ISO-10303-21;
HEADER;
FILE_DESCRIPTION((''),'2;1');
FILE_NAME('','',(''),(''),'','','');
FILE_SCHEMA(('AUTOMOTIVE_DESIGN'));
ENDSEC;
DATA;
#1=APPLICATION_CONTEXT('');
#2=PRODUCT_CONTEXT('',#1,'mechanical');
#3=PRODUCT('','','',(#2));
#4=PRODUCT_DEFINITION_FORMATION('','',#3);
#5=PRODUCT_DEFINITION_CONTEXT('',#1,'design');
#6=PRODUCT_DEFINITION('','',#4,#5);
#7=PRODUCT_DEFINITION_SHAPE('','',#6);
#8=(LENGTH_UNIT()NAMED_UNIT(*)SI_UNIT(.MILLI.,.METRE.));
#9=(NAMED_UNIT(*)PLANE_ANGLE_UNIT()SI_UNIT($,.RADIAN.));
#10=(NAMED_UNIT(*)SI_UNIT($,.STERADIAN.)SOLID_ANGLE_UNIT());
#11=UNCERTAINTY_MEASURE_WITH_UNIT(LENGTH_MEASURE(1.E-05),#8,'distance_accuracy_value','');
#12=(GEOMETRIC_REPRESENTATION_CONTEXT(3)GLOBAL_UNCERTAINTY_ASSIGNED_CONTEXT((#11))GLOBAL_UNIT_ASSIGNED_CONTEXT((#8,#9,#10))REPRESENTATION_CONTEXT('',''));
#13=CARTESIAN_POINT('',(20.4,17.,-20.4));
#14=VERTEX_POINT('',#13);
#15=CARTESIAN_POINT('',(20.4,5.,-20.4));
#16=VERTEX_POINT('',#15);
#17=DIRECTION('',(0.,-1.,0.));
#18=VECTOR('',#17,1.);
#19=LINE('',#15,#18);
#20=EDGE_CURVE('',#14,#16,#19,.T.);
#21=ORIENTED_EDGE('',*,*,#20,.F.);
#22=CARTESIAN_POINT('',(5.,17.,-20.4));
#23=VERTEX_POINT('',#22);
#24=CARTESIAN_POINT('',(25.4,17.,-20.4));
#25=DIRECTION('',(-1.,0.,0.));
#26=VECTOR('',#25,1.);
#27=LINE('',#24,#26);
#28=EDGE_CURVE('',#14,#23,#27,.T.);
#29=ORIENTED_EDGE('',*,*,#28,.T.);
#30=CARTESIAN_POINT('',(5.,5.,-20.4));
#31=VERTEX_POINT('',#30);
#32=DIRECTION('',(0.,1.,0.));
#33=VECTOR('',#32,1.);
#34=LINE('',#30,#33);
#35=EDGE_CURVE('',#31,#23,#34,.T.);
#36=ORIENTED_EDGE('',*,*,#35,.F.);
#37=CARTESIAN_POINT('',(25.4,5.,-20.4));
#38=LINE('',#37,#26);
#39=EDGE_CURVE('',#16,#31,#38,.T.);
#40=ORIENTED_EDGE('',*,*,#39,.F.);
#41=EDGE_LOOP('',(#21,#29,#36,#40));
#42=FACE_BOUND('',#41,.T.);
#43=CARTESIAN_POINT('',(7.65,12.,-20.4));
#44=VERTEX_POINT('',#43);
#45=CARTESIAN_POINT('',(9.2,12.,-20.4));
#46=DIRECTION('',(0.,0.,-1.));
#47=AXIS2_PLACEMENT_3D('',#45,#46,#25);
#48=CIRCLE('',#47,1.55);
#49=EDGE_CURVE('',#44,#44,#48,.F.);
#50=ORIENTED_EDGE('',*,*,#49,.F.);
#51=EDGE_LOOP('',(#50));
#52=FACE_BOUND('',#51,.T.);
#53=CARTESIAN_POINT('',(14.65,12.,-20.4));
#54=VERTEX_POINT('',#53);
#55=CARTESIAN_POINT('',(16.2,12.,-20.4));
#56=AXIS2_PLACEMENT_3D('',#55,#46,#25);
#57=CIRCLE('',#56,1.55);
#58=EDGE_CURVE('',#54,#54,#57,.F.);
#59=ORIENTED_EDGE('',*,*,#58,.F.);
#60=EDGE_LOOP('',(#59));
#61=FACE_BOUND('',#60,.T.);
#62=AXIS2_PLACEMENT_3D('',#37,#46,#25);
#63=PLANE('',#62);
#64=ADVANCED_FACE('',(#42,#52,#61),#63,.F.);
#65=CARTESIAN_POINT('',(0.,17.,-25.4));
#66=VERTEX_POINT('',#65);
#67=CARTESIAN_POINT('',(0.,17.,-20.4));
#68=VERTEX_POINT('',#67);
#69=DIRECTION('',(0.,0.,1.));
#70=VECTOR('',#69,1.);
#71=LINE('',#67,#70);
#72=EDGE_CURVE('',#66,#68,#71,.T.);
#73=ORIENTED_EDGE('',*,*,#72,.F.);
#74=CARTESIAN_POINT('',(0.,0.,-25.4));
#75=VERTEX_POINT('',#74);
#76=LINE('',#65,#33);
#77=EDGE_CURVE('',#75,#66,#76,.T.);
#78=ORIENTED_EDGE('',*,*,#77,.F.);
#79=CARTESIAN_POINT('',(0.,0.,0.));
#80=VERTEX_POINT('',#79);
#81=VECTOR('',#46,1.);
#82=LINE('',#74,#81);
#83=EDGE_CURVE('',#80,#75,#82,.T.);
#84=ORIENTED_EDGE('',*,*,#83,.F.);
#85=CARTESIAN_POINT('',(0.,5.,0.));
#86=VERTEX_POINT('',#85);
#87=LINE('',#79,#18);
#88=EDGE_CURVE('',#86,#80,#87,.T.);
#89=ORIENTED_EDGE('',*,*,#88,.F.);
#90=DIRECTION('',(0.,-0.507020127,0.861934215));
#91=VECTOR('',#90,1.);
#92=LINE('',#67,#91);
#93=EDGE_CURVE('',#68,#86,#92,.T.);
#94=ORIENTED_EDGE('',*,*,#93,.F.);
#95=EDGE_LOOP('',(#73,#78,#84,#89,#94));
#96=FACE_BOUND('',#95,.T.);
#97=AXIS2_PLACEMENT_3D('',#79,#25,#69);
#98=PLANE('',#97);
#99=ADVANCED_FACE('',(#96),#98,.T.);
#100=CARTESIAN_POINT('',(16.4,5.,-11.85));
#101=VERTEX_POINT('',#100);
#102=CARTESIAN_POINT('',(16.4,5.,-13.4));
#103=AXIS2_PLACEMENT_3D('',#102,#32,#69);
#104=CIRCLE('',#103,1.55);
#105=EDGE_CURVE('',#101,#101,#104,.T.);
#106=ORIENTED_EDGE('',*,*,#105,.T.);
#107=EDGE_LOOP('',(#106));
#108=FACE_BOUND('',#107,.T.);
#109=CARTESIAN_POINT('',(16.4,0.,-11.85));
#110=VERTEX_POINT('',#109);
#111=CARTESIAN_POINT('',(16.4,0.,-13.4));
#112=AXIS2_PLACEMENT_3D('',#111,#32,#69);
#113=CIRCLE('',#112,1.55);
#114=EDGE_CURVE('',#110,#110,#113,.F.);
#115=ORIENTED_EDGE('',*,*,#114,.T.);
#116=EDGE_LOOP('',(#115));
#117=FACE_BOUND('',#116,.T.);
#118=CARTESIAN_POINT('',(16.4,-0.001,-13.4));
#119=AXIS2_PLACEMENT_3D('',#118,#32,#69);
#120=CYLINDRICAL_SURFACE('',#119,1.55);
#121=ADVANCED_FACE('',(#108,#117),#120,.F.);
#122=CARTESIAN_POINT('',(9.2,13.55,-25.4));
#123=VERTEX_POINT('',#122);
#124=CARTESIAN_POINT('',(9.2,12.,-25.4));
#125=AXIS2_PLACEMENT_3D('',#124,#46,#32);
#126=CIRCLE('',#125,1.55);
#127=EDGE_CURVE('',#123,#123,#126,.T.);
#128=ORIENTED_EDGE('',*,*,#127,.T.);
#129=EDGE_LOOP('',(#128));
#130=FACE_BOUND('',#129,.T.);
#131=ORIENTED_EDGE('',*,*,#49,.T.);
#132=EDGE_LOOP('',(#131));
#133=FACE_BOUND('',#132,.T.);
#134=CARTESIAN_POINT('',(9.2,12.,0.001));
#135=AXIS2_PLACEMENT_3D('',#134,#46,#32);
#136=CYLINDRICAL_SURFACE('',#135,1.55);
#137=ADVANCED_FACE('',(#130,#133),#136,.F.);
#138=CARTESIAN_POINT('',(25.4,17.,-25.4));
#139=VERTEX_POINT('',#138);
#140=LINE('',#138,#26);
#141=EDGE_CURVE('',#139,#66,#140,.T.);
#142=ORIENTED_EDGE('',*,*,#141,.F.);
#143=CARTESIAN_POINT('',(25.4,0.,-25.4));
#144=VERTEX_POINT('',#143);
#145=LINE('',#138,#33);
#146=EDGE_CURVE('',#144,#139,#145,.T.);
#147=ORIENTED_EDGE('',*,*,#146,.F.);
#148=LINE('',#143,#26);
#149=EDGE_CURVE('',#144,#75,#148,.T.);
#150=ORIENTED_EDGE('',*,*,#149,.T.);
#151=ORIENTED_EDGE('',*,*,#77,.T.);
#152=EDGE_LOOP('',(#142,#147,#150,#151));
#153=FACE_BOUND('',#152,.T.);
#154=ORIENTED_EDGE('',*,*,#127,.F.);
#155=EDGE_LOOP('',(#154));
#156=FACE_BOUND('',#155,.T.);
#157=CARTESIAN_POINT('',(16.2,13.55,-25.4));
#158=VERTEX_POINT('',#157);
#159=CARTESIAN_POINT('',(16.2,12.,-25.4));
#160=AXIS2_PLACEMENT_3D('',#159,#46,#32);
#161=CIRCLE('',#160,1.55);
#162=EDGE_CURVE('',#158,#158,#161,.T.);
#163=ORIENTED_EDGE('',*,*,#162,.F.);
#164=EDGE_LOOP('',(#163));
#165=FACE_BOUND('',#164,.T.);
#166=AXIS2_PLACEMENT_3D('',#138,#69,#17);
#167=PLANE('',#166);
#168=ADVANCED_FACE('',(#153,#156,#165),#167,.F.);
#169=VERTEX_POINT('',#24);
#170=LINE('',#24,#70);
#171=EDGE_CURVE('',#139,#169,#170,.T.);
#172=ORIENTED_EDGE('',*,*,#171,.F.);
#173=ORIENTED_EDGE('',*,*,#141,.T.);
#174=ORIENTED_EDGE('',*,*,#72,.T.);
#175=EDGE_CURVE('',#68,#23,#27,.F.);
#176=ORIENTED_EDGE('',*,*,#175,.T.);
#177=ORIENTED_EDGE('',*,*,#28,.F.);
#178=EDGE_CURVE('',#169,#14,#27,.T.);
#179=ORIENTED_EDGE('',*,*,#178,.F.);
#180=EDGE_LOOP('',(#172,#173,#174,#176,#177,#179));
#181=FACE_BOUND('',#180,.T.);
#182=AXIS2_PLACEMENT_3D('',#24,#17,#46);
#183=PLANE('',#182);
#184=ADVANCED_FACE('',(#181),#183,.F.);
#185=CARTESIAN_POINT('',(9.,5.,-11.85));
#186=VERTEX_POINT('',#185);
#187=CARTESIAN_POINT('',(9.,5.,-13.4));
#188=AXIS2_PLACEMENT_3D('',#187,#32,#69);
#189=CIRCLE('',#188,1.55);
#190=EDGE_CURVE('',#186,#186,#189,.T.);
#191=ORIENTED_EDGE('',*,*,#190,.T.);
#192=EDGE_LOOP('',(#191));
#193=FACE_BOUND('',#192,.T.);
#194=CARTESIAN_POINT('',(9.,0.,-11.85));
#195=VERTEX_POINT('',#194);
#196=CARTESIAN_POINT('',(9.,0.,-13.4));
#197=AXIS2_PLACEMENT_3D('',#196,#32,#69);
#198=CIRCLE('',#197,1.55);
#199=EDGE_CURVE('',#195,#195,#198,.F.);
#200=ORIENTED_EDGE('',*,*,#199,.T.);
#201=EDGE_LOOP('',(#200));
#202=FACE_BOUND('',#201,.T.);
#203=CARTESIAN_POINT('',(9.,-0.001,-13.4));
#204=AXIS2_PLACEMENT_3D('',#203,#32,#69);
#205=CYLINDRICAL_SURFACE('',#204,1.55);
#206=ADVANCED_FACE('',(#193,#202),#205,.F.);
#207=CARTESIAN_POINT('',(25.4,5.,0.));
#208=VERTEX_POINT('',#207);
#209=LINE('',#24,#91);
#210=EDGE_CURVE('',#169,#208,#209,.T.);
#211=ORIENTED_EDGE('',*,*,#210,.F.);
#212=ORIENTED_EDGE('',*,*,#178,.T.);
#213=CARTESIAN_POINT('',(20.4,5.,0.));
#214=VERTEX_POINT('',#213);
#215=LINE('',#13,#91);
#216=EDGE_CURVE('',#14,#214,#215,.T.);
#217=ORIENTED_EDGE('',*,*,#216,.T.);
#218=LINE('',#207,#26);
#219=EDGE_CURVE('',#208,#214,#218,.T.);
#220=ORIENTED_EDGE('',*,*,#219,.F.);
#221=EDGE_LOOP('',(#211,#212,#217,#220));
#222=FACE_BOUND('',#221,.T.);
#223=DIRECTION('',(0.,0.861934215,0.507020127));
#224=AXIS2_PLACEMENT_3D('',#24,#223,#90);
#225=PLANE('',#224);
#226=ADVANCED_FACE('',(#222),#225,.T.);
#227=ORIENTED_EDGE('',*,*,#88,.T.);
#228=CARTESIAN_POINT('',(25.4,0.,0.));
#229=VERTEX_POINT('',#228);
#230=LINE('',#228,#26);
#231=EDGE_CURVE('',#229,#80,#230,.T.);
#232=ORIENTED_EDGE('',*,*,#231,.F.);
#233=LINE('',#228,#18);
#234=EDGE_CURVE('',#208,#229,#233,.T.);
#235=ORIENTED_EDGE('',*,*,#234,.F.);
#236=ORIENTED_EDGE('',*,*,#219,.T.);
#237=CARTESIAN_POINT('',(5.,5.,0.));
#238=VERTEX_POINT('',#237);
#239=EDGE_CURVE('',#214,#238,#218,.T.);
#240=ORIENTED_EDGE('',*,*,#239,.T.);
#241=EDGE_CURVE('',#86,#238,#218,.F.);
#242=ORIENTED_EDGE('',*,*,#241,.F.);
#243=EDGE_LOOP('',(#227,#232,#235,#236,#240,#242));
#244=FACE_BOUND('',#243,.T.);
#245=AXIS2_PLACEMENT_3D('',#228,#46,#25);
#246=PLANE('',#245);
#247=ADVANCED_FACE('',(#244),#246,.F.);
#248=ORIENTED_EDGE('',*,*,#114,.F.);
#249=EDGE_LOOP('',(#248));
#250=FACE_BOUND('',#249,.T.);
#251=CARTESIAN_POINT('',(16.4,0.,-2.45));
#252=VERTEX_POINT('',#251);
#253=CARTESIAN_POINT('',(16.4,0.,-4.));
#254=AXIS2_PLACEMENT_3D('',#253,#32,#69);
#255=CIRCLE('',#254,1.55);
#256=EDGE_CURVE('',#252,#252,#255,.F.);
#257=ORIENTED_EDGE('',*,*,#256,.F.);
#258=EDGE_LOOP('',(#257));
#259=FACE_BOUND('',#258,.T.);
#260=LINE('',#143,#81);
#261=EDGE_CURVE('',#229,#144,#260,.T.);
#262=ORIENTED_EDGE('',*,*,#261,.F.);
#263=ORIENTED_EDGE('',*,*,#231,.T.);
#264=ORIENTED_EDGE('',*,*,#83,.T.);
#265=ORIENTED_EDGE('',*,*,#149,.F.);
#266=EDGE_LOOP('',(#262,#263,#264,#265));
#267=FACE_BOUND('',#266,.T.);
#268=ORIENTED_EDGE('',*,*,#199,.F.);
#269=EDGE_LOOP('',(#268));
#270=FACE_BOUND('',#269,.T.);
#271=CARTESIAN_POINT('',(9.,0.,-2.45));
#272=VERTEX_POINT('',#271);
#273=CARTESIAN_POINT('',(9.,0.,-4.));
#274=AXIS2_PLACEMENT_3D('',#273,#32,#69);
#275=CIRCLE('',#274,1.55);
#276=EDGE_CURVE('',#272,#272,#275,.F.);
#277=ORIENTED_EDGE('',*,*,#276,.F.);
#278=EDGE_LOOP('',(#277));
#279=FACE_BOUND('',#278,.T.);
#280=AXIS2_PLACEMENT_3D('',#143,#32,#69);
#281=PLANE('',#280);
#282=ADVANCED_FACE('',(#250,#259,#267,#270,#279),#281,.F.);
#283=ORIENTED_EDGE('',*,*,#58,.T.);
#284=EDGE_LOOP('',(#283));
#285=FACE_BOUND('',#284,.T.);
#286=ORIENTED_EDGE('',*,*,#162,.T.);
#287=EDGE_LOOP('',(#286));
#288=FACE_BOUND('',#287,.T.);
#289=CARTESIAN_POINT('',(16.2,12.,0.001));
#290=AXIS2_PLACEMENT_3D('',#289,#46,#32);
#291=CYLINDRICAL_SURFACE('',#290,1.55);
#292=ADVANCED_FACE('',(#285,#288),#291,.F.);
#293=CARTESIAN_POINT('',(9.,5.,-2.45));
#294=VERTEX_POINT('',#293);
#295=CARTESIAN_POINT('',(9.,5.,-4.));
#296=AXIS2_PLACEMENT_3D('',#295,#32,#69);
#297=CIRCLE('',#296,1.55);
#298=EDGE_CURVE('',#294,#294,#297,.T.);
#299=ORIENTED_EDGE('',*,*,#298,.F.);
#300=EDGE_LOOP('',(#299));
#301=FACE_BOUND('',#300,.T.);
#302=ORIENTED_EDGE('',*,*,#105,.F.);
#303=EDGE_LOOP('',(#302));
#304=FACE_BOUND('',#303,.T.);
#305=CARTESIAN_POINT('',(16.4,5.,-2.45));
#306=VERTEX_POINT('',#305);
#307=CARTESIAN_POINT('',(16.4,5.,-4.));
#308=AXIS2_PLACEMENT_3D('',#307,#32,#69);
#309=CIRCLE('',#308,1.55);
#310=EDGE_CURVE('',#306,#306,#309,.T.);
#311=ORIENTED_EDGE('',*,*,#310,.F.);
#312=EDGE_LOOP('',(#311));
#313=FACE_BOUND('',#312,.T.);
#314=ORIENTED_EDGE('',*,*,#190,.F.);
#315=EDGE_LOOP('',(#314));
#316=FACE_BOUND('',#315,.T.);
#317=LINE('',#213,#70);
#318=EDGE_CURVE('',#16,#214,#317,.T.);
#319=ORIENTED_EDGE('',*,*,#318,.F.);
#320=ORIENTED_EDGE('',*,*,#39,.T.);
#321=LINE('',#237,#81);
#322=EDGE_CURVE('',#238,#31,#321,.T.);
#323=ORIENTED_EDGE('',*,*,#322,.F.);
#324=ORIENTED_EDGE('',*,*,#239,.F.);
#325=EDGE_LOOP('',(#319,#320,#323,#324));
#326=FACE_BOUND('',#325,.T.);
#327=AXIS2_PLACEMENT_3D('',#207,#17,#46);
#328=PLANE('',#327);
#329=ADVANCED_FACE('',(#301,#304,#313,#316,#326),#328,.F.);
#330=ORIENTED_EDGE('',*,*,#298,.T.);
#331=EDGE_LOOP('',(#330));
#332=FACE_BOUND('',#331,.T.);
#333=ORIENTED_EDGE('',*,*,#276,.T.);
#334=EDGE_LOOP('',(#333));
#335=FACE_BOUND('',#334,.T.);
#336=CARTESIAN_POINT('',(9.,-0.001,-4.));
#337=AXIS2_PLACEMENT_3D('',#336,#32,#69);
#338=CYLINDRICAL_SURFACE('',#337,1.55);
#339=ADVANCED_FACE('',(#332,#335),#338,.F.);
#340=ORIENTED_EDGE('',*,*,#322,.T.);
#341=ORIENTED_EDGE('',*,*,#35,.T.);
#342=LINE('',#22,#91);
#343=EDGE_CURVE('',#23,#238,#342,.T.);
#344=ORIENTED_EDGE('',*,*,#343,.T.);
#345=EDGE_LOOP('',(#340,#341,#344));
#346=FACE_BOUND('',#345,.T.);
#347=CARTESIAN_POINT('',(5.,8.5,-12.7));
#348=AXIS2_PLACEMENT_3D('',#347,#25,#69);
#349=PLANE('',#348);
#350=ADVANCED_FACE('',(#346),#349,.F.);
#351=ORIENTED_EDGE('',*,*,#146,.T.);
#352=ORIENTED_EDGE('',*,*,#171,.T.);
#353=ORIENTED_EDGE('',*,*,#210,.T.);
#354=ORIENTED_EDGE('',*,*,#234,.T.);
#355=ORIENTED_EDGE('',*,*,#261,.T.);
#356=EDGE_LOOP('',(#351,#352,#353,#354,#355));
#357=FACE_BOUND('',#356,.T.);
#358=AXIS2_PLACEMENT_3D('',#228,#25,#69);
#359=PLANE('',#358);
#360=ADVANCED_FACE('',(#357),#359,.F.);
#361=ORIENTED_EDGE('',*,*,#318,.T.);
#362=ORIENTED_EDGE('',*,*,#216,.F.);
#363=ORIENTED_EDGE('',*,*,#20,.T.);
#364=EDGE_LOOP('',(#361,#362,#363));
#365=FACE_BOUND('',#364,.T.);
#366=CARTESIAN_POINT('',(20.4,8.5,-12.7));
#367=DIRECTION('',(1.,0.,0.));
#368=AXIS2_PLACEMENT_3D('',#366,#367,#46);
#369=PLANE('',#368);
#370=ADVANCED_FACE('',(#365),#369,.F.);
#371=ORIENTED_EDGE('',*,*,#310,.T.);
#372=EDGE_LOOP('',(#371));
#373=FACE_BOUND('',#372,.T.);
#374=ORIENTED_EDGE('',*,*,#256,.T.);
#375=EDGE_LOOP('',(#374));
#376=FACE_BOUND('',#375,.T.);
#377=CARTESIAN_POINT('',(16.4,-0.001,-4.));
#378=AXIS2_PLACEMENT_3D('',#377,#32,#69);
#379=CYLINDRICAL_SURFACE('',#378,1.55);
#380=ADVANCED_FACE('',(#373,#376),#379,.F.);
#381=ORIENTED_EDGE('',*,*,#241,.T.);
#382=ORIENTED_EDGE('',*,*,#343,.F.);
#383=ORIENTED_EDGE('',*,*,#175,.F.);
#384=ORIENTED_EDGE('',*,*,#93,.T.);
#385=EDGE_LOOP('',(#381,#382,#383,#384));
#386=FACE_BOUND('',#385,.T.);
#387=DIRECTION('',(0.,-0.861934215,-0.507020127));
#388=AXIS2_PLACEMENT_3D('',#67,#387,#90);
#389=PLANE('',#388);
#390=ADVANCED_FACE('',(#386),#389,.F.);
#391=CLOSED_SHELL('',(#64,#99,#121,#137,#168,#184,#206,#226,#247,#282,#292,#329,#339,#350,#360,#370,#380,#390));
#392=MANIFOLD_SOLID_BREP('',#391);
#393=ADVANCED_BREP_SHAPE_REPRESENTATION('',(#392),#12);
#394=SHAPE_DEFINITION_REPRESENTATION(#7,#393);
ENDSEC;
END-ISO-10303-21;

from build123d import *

# Parameters (mm, degrees)
BOSS_EXTRUDE2_DEPTH = 25.4
CUT_EXTRUDE1_REACH  = 41.741
SKETCH4_R           = 1.55
RIB12_REACH         = 41.741
SKETCH8_WALL_W      = 105.149018068
SKETCH8_WALL_H      = 5
CUT_EXTRUDE2_REACH  = 39.872
SKETCH5_R           = 1.55


with BuildPart() as part:
    # Sketch3 → Boss-Extrude2 (new body)
    with BuildSketch(Plane(origin=(0, 0, 0), x_dir=(0, 0, -1), z_dir=(1, 0, 0))):
        Polygon((0, 0), (0, 5), (20.4, 5), (20.4, 17), (25.4, 17), (25.4, 0), align=None)
    extrude(amount=BOSS_EXTRUDE2_DEPTH)

    # Sketch4 → Cut-Extrude1 (cut, up to next)
    with BuildSketch(Plane(origin=(0, 0, -25.4), x_dir=(-1, 0, 0), z_dir=(0, 0, -1)), mode=Mode.PRIVATE) as cut_extrude1_sk1:
        with Locations(Location((-16.2, 12, 0), (0, 0, 90))):
            Circle(SKETCH4_R)
    cut_extrude1_tool1 = extrude(cut_extrude1_sk1.sketch, amount=-CUT_EXTRUDE1_REACH, mode=Mode.PRIVATE) & part.part
    # Sketch4 → Cut-Extrude1 (cut, up to next)
    with BuildSketch(Plane(origin=(0, 0, -25.4), x_dir=(-1, 0, 0), z_dir=(0, 0, -1)), mode=Mode.PRIVATE) as cut_extrude1_sk2:
        with Locations(Location((-9.2, 12, 0), (0, 0, 90))):
            Circle(SKETCH4_R)
    cut_extrude1_tool2 = extrude(cut_extrude1_sk2.sketch, amount=-CUT_EXTRUDE1_REACH, mode=Mode.PRIVATE) & part.part
    add(cut_extrude1_tool1.solids().sort_by_distance((16.2, 12, -25.4))[0], mode=Mode.SUBTRACT)
    add(cut_extrude1_tool2.solids().sort_by_distance((9.2, 12, -25.4))[0], mode=Mode.SUBTRACT)

    # Sketch8 wall → Rib12 (add, up to next)
    with BuildSketch(Plane(origin=(0, 11, -10.2), x_dir=(0, -0.507020126563, 0.861934215158), z_dir=(0, 0.861934215158, 0.507020126563)), mode=Mode.PRIVATE) as rib12_sk1:
        with Locations((0, 2.5)):
            Rectangle(SKETCH8_WALL_W, SKETCH8_WALL_H)
    rib12_tool1 = extrude(rib12_sk1.sketch, amount=-RIB12_REACH, mode=Mode.PRIVATE) - part.part
    rib12 = rib12_tool1.solids().sort_by_distance((0, 11, -10.2))[0]
    add(rib12)

    # Mirror1: Rib12 across plane
    add(rib12.mirror(Plane(origin=(12.7, 0, 0), x_dir=(0, 0, 1), z_dir=(1, 0, 0))))

    # Sketch5 → Cut-Extrude2 (cut, up to next)
    with BuildSketch(Plane(origin=(0, 5, 0), x_dir=(1, 0, 0), z_dir=(0, 1, 0)), mode=Mode.PRIVATE) as cut_extrude2_sk1:
        with Locations(Location((9, 4, 0), (0, 0, 270))):
            Circle(SKETCH5_R)
    cut_extrude2_tool1 = extrude(cut_extrude2_sk1.sketch, amount=-CUT_EXTRUDE2_REACH, mode=Mode.PRIVATE) & part.part
    # Sketch5 → Cut-Extrude2 (cut, up to next)
    with BuildSketch(Plane(origin=(0, 5, 0), x_dir=(1, 0, 0), z_dir=(0, 1, 0)), mode=Mode.PRIVATE) as cut_extrude2_sk2:
        with Locations(Location((9, 13.4, 0), (0, 0, 270))):
            Circle(SKETCH5_R)
    cut_extrude2_tool2 = extrude(cut_extrude2_sk2.sketch, amount=-CUT_EXTRUDE2_REACH, mode=Mode.PRIVATE) & part.part
    # Sketch5 → Cut-Extrude2 (cut, up to next)
    with BuildSketch(Plane(origin=(0, 5, 0), x_dir=(1, 0, 0), z_dir=(0, 1, 0)), mode=Mode.PRIVATE) as cut_extrude2_sk3:
        with Locations(Location((16.4, 13.4, 0), (0, 0, 270))):
            Circle(SKETCH5_R)
    cut_extrude2_tool3 = extrude(cut_extrude2_sk3.sketch, amount=-CUT_EXTRUDE2_REACH, mode=Mode.PRIVATE) & part.part
    # Sketch5 → Cut-Extrude2 (cut, up to next)
    with BuildSketch(Plane(origin=(0, 5, 0), x_dir=(1, 0, 0), z_dir=(0, 1, 0)), mode=Mode.PRIVATE) as cut_extrude2_sk4:
        with Locations(Location((16.4, 4, 0), (0, 0, 270))):
            Circle(SKETCH5_R)
    cut_extrude2_tool4 = extrude(cut_extrude2_sk4.sketch, amount=-CUT_EXTRUDE2_REACH, mode=Mode.PRIVATE) & part.part
    add(cut_extrude2_tool1.solids().sort_by_distance((9, 5, -4))[0], mode=Mode.SUBTRACT)
    add(cut_extrude2_tool2.solids().sort_by_distance((9, 5, -13.4))[0], mode=Mode.SUBTRACT)
    add(cut_extrude2_tool3.solids().sort_by_distance((16.4, 5, -13.4))[0], mode=Mode.SUBTRACT)
    add(cut_extrude2_tool4.solids().sort_by_distance((16.4, 5, -4))[0], mode=Mode.SUBTRACT)


solid = part.part
